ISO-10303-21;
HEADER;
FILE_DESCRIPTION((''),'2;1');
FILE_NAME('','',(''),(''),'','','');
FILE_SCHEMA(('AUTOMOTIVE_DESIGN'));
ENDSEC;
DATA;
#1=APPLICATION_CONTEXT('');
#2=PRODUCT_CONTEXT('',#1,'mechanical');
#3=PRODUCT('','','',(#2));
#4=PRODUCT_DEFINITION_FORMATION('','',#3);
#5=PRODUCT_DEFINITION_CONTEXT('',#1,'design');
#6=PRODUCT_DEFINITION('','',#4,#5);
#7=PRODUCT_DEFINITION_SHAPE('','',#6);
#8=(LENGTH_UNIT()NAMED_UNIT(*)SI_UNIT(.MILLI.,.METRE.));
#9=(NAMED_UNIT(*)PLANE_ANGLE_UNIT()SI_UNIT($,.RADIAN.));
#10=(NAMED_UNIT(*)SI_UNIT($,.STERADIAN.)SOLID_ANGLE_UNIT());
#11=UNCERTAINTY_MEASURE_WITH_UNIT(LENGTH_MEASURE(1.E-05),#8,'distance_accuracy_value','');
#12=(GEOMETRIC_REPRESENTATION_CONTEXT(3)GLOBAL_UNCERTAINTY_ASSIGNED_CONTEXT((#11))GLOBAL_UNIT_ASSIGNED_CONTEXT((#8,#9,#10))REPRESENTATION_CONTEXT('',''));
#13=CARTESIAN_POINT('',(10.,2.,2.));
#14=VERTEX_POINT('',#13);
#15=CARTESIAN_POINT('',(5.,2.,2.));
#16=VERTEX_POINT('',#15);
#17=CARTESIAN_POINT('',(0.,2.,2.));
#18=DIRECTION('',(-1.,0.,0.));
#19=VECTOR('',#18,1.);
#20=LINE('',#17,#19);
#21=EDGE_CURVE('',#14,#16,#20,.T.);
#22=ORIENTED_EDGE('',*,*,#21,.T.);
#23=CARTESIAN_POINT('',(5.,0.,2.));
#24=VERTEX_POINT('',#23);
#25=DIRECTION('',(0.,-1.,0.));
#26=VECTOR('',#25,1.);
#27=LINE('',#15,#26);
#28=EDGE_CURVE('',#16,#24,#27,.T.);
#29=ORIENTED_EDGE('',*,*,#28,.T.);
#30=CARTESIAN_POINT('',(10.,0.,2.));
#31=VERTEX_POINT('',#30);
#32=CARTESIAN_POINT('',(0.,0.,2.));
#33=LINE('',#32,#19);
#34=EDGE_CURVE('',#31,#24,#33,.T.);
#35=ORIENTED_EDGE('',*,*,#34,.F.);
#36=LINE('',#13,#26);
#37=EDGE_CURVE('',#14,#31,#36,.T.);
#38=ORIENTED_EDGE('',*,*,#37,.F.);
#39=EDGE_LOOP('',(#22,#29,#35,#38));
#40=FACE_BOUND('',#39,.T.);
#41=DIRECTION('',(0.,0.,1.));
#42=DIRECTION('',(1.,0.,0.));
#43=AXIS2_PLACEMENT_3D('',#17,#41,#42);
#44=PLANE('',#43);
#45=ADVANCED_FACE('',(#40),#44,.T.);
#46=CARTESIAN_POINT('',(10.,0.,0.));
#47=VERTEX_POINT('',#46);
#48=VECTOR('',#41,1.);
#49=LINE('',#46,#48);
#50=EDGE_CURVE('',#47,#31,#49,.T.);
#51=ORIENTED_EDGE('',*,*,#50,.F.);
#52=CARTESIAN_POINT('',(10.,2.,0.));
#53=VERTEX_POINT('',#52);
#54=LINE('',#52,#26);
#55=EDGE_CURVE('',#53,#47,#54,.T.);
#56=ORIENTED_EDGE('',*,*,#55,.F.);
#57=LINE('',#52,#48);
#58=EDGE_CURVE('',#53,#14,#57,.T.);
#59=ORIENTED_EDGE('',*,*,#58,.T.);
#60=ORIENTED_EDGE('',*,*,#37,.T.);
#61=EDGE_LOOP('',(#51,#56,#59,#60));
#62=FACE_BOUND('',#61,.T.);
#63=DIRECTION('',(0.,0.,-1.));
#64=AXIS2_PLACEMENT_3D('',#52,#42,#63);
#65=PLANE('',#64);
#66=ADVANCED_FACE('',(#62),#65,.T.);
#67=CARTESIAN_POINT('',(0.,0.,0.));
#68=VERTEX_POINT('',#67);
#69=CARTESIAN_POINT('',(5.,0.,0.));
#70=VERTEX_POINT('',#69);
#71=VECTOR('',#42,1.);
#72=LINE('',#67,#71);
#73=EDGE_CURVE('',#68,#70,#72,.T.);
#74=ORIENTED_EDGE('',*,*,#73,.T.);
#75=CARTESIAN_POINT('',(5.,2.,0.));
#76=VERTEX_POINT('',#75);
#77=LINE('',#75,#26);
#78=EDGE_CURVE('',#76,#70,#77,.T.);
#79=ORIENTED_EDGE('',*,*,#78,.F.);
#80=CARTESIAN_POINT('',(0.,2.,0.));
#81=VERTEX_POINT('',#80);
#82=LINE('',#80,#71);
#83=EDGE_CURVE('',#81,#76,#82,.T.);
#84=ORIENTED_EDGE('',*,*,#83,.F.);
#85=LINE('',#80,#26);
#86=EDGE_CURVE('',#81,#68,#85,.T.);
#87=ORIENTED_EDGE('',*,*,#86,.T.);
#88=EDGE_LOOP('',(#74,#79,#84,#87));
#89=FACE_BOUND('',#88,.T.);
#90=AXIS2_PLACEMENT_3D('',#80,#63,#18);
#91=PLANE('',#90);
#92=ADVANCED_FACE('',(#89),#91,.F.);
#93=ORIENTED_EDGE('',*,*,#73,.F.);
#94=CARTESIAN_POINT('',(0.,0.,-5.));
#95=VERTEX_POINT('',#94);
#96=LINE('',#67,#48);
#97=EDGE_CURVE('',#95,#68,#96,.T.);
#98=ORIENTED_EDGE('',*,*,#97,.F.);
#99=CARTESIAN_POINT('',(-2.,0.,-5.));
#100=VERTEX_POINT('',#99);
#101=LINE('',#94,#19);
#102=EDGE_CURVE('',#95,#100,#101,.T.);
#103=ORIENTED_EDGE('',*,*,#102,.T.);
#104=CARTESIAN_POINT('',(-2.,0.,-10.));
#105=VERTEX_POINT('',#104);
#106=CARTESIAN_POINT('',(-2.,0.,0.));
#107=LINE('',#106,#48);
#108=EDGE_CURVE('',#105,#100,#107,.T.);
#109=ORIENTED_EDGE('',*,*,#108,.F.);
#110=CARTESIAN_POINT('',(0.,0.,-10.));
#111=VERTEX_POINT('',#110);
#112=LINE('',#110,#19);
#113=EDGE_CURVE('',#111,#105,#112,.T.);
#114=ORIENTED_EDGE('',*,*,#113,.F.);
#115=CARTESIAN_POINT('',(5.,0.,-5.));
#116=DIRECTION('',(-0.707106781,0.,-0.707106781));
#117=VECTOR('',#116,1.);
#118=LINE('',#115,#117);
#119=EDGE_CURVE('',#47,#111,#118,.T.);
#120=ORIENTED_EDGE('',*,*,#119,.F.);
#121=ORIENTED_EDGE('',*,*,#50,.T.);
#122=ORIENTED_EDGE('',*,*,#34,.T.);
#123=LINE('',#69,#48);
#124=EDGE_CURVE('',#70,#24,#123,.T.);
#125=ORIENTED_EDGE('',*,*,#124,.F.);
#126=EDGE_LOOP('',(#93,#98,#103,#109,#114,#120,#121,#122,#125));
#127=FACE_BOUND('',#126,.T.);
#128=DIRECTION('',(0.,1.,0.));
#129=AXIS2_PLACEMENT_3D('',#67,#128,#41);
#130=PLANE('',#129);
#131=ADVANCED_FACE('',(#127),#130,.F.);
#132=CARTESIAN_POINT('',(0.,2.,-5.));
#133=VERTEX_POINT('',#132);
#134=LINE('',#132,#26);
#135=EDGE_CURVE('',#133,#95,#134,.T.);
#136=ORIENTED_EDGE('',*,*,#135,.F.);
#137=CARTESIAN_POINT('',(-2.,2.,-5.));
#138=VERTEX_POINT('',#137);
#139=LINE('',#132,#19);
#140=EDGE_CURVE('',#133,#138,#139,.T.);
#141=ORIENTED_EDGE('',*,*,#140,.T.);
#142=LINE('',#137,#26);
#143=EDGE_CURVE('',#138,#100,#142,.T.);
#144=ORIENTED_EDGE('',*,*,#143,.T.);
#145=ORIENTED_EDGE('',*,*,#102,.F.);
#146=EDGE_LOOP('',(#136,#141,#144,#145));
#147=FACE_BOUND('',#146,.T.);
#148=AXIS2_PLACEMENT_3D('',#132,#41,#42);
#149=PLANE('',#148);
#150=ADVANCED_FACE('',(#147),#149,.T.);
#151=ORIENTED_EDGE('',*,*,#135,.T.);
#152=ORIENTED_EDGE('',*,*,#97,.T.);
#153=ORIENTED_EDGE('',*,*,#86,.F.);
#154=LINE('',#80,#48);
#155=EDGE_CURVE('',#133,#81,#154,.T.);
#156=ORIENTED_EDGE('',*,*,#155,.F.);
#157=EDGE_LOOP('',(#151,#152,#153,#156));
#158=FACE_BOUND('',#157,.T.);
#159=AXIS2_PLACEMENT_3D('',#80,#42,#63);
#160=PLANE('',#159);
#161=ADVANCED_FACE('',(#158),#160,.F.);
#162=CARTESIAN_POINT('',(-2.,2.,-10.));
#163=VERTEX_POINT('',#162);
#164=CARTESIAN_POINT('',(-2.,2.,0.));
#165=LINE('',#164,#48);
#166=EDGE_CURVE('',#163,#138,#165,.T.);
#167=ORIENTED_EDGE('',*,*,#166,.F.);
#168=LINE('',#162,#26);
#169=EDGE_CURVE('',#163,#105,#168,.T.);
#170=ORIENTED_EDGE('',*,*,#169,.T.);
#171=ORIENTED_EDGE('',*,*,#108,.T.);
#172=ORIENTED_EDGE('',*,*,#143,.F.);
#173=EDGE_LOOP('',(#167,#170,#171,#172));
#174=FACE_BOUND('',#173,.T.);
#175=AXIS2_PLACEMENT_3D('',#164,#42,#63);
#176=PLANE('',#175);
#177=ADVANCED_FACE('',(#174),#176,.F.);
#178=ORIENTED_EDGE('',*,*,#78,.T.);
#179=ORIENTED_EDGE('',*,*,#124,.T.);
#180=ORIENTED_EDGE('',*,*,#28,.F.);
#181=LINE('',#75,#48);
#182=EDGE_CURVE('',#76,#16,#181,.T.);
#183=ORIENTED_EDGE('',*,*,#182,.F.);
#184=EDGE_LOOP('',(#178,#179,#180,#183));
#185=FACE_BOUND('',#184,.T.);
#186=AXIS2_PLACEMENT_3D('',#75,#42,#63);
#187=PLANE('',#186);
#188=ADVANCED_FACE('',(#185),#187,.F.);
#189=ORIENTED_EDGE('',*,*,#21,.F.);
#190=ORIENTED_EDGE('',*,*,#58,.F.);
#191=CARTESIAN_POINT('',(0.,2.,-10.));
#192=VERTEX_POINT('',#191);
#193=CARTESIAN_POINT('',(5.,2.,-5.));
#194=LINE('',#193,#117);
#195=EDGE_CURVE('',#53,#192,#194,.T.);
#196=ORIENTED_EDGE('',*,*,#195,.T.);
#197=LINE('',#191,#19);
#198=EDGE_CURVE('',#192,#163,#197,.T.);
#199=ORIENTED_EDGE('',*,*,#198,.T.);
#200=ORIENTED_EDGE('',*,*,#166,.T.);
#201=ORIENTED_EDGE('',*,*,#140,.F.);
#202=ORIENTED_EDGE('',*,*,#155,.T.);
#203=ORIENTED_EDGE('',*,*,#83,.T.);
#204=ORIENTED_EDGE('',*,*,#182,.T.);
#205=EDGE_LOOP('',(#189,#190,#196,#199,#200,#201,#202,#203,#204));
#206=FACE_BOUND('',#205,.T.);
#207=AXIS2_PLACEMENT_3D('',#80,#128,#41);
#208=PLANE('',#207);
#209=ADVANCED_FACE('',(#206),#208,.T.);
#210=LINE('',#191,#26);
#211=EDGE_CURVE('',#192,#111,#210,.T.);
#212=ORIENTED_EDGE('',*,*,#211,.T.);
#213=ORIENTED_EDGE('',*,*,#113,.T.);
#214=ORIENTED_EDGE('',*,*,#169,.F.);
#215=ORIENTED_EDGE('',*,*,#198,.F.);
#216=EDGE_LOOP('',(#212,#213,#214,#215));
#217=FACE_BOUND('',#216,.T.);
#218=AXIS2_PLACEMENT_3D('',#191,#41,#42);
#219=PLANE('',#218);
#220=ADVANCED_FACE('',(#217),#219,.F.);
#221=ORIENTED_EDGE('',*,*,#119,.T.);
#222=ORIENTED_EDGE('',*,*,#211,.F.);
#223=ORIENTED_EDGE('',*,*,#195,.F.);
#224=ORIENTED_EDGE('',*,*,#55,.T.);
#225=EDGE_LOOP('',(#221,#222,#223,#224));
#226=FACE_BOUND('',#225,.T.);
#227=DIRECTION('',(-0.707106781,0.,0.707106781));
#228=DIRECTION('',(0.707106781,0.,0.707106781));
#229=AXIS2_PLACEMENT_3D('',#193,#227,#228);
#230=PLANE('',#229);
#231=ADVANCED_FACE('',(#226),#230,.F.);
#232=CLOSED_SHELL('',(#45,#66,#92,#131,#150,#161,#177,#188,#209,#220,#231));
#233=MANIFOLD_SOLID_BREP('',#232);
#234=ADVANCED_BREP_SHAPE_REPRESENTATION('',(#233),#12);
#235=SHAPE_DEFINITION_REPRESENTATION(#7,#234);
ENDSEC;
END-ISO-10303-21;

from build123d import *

# Parameters (mm, degrees)
SKETCH1_W           = 2
SKETCH1_H           = 5
SKETCH1_W_2         = 5
SKETCH1_H_2         = 2
BOSS_EXTRUDE1_DEPTH = 2


with BuildPart() as part:
    # Sketch1 → Boss-Extrude1 (new body)
    with BuildSketch(Plane(origin=(0, 0, 0), x_dir=(1, 0, 0), z_dir=(0, 1, 0))):
        Polygon((10, 0), (0, 10), (0, 0), align=None)
        with Locations((-1, 7.5)):
            Rectangle(SKETCH1_W, SKETCH1_H)
        with Locations((7.5, -1)):
            Rectangle(SKETCH1_W_2, SKETCH1_H_2)
    extrude(amount=BOSS_EXTRUDE1_DEPTH)


solid = part.part
